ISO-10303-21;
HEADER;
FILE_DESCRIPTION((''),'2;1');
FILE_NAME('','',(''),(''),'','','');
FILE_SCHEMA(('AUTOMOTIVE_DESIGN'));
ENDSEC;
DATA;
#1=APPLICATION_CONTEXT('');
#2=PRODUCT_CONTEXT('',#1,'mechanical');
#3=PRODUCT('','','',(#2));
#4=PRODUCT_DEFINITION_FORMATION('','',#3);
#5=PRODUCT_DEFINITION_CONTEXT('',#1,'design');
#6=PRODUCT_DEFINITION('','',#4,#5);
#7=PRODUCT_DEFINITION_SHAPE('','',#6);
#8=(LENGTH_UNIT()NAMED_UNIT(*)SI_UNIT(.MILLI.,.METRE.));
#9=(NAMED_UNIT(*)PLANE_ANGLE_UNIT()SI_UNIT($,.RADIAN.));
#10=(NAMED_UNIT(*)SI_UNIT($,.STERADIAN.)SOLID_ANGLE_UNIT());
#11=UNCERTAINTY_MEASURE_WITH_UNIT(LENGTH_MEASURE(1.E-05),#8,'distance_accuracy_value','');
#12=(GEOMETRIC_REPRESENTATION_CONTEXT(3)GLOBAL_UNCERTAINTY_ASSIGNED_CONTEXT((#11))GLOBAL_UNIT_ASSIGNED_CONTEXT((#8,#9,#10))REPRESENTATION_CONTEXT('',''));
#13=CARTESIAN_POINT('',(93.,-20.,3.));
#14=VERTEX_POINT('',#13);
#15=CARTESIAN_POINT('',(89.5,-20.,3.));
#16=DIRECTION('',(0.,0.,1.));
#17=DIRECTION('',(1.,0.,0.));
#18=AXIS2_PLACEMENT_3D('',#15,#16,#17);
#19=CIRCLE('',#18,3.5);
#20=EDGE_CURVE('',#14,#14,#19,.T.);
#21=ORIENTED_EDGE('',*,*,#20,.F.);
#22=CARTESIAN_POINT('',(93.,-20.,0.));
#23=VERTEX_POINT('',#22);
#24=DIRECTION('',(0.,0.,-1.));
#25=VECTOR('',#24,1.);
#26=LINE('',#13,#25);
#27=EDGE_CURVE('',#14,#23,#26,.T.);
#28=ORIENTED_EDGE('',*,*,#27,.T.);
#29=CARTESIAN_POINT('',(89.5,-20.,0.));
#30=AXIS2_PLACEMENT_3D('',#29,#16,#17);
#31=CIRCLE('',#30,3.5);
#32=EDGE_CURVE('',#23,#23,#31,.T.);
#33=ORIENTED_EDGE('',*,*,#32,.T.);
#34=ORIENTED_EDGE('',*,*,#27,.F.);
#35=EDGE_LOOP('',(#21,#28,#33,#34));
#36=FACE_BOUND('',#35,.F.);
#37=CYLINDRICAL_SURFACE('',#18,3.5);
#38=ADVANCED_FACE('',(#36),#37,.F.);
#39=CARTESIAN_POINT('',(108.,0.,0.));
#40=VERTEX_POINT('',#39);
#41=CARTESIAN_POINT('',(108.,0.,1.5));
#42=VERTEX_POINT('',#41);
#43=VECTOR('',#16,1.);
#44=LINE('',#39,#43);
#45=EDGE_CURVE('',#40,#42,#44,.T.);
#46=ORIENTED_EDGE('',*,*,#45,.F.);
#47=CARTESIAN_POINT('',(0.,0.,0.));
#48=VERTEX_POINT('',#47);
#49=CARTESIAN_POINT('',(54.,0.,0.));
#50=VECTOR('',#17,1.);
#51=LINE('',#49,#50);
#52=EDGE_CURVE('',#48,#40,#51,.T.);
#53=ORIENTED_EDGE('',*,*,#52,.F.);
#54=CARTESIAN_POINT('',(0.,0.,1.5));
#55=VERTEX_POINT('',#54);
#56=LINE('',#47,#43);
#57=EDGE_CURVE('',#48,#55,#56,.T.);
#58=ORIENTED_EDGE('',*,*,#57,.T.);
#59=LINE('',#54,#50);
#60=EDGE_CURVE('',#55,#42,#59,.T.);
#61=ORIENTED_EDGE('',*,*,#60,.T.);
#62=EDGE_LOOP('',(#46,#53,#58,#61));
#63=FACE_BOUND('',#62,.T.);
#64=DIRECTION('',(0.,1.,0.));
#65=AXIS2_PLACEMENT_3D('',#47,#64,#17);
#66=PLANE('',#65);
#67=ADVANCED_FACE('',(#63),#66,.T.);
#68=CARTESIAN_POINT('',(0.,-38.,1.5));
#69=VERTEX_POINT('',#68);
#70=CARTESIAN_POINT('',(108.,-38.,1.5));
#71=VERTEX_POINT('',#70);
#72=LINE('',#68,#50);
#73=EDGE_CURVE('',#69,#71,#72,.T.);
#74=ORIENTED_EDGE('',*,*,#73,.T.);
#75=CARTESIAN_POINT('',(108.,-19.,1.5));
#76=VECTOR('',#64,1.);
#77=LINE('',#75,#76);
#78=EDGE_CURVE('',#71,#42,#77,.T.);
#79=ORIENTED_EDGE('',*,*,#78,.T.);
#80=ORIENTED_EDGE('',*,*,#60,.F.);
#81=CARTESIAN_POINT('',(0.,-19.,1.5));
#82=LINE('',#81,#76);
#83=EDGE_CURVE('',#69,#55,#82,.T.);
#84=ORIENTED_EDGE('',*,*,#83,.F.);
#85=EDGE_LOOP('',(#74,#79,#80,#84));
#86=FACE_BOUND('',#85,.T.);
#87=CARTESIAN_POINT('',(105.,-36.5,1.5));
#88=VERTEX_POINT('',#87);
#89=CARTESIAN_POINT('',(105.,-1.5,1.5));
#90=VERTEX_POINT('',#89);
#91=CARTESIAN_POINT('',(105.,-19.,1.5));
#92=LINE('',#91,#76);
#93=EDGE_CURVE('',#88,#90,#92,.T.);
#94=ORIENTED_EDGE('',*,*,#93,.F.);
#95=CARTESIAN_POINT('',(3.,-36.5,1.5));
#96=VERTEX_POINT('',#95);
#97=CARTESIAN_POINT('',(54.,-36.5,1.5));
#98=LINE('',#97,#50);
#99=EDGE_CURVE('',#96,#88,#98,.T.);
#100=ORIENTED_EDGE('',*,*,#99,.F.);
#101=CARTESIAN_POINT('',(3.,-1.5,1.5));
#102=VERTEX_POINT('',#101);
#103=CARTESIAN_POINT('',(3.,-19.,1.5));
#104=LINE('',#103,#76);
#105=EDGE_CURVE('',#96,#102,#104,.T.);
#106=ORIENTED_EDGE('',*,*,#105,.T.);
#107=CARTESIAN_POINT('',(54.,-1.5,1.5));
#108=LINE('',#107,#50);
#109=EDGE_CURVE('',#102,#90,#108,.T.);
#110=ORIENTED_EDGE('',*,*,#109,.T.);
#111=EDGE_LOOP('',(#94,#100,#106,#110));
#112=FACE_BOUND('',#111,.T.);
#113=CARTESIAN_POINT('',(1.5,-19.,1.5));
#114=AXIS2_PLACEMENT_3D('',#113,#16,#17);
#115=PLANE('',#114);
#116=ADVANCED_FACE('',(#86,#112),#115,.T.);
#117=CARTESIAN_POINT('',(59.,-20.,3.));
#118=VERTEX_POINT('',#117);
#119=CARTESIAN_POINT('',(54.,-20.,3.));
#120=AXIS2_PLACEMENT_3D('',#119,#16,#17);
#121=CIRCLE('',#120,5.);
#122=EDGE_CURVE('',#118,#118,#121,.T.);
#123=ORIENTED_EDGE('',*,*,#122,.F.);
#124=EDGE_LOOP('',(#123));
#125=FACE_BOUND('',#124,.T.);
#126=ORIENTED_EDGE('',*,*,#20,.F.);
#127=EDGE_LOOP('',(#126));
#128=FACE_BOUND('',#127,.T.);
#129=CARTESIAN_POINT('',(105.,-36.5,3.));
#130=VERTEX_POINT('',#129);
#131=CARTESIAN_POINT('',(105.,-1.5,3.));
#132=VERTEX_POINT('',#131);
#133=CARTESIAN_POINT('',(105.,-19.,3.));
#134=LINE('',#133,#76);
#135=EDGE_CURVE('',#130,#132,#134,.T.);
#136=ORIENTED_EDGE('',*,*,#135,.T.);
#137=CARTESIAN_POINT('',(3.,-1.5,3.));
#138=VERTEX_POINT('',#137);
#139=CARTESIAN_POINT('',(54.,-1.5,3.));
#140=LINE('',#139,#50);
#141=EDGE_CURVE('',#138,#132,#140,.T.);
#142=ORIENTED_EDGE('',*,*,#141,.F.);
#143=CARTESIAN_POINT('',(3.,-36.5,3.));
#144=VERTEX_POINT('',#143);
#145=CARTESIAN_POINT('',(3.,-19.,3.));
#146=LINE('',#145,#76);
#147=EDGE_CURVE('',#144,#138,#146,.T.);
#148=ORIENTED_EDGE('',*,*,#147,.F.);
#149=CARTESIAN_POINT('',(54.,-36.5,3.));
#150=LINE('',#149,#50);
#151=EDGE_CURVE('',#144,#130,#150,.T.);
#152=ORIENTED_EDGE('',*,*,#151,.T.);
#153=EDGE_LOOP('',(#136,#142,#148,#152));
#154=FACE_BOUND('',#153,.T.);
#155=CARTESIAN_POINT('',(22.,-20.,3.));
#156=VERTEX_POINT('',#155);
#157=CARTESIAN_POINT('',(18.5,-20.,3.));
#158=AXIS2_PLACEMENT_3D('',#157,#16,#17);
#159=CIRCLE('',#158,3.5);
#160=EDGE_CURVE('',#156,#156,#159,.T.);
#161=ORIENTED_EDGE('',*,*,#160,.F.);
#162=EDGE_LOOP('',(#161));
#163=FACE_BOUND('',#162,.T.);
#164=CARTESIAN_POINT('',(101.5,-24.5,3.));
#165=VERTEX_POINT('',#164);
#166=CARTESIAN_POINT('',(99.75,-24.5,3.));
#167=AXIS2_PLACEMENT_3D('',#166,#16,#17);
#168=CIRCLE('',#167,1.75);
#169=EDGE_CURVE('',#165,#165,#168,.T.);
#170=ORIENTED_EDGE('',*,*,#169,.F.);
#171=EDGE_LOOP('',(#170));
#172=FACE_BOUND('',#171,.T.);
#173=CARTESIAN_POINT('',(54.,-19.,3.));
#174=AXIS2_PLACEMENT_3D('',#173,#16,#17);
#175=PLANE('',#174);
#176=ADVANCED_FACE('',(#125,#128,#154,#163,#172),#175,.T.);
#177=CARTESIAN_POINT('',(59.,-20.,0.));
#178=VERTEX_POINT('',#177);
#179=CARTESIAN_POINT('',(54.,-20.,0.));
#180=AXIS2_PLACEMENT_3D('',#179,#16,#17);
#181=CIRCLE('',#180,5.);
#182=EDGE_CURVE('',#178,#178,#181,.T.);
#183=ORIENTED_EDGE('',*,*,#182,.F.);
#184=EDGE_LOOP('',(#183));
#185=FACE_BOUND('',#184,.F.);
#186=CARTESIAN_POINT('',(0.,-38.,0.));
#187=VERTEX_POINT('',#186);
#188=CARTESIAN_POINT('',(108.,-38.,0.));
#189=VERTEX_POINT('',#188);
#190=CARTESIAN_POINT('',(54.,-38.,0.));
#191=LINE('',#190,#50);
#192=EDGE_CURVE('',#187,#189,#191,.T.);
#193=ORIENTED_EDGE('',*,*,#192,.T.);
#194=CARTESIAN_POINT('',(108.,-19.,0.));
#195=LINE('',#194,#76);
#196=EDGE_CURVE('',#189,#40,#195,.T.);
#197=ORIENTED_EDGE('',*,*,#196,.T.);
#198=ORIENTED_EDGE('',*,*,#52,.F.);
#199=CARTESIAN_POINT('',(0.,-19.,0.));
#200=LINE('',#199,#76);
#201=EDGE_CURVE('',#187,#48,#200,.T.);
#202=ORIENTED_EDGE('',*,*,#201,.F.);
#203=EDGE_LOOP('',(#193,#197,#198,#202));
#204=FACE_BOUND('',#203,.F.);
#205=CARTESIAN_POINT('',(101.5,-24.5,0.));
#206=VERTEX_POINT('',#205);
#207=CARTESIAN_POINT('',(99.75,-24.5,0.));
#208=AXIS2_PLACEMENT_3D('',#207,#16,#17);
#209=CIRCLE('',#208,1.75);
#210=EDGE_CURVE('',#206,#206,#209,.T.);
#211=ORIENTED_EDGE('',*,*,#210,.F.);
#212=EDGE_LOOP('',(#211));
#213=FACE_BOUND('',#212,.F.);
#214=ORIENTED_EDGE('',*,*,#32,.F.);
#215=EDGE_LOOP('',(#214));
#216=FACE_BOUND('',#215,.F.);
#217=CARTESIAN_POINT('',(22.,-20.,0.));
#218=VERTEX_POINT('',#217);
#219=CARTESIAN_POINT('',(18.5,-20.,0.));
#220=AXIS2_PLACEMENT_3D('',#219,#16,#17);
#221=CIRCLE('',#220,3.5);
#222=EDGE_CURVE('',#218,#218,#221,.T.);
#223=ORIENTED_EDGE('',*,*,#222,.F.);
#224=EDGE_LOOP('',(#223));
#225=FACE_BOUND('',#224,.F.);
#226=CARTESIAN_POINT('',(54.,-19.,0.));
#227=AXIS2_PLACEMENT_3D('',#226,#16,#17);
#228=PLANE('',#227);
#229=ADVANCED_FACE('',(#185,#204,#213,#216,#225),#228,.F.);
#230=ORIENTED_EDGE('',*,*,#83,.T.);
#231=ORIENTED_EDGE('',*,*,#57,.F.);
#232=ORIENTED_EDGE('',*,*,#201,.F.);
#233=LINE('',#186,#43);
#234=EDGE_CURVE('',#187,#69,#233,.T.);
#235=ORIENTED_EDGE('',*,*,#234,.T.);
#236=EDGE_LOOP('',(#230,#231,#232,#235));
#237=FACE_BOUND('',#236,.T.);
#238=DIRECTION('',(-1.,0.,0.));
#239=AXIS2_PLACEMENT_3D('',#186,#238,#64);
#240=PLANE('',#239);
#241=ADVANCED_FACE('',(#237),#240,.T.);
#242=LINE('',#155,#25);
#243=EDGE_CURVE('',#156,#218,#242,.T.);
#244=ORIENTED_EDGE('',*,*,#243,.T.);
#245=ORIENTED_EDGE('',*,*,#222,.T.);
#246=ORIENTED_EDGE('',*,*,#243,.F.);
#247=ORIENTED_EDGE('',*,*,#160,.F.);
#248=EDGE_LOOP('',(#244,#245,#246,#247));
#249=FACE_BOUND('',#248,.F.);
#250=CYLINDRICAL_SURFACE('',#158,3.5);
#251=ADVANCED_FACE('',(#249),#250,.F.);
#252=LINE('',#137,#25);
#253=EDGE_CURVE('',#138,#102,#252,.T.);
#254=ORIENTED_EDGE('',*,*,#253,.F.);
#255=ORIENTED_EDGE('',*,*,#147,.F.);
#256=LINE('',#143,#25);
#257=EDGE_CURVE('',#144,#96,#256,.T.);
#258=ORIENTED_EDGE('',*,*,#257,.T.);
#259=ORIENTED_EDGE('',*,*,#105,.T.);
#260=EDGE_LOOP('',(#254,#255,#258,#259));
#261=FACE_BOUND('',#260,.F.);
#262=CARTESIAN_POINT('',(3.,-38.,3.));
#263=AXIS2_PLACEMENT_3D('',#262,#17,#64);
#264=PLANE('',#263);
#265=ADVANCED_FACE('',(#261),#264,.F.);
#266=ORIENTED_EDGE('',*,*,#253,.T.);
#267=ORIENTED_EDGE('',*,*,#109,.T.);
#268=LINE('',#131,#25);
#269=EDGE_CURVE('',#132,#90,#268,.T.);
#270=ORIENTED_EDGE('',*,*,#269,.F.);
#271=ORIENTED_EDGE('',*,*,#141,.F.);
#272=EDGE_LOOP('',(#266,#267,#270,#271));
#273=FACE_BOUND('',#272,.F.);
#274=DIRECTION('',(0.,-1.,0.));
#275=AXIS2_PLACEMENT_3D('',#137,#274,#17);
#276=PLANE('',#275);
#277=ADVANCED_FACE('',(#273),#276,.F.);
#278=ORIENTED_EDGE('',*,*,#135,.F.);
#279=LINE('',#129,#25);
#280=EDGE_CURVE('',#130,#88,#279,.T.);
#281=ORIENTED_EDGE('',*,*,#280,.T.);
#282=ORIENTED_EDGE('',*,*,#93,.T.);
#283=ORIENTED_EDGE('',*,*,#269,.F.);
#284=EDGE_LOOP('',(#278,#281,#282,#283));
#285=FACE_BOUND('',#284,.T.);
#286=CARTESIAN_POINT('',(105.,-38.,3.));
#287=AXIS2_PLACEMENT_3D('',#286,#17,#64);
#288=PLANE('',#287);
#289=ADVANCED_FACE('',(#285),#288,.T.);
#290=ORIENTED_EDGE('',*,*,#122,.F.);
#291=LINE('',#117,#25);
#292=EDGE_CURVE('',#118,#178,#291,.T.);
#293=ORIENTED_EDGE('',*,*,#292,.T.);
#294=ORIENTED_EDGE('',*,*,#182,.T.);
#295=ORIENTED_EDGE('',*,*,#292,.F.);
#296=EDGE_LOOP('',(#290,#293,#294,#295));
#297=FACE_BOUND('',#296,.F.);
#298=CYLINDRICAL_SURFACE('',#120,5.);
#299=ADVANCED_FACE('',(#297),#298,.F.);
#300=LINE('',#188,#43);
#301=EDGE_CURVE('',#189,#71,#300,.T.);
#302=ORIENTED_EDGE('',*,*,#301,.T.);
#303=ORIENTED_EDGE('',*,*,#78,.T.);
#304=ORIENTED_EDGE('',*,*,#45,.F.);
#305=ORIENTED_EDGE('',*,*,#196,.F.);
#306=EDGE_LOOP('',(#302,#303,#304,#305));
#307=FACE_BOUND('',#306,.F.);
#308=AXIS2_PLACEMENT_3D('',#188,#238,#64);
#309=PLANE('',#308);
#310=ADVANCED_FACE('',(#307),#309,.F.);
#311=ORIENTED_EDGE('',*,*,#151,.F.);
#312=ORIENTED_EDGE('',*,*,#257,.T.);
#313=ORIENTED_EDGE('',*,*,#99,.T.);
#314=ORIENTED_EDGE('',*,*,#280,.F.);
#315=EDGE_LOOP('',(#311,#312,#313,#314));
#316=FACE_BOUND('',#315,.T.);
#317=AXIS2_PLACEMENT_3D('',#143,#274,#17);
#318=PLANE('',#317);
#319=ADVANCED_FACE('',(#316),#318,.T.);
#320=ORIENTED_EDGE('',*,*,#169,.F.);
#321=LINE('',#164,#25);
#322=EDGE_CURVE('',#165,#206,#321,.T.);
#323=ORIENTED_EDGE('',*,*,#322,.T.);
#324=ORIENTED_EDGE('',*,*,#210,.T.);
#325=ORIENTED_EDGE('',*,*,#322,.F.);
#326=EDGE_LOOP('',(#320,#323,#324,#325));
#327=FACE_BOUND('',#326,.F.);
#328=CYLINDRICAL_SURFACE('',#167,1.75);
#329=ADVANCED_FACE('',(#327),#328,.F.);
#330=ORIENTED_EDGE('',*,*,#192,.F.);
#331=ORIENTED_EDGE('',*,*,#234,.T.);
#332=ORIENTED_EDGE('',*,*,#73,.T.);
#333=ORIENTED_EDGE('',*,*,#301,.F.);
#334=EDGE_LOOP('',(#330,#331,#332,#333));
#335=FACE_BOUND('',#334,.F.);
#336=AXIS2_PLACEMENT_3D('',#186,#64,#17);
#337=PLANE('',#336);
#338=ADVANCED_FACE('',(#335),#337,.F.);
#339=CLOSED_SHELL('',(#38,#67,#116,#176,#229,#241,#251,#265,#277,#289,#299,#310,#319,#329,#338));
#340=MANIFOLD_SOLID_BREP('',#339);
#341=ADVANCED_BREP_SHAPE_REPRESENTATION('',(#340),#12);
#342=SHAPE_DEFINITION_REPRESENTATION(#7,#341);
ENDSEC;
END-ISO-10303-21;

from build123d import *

# Parameters (mm, degrees)
SKETCH_W        = 108
SKETCH_H        = 38
PAD_DEPTH       = 3
SKETCH002_W     = 3
SKETCH002_H     = 38
POCKET_DEPTH    = 1.5
SKETCH003_W     = 3
SKETCH003_H     = 38
POCKET001_DEPTH = 1.5
SKETCH004_W     = 102
SKETCH004_H     = 1.5
POCKET002_DEPTH = 1.5
SKETCH005_W     = 102
SKETCH005_H     = 1.5
POCKET003_DEPTH = 1.5
SKETCH006_R     = 5
POCKET004_DEPTH = 3
SKETCH008_R     = 3.5
POCKET005_DEPTH = 3
SKETCH009_R     = 3.5
POCKET006_DEPTH = 3
SKETCH010_R     = 1.75
POCKET007_DEPTH = 3


with BuildPart() as part:
    # Sketch → Pad (new body)
    with BuildSketch(Plane.XY):
        with Locations((54, -19)):
            Rectangle(SKETCH_W, SKETCH_H)
    extrude(amount=PAD_DEPTH)

    # Sketch002 (on Face6 of Pad) → Pocket (cut)
    with BuildSketch(Plane.XY.offset(3)):
        with Locations((1.5, -19)):
            Rectangle(SKETCH002_W, SKETCH002_H)
    extrude(amount=-POCKET_DEPTH, mode=Mode.SUBTRACT)

    # Sketch003 (on Face4 of Pocket) → Pocket001 (cut)
    with BuildSketch(Plane.XY.offset(3)):
        with Locations((106.5, -19)):
            Rectangle(SKETCH003_W, SKETCH003_H)
    extrude(amount=-POCKET001_DEPTH, mode=Mode.SUBTRACT)

    # Sketch004 (on Face6 of Pocket001) → Pocket002 (cut)
    with BuildSketch(Plane.XY.offset(3)):
        with Locations((54, -0.75)):
            Rectangle(SKETCH004_W, SKETCH004_H)
    extrude(amount=-POCKET002_DEPTH, mode=Mode.SUBTRACT)

    # Sketch005 (on Face12 of Pocket002) → Pocket003 (cut)
    with BuildSketch(Plane.XY.offset(3)):
        with Locations((54, -37.25)):
            Rectangle(SKETCH005_W, SKETCH005_H)
    extrude(amount=-POCKET003_DEPTH, mode=Mode.SUBTRACT)

    # Sketch006 (on Face13 of Pocket003) → Pocket004 (cut)
    with BuildSketch(Plane.XY.offset(3)):
        with Locations((54, -20)):
            Circle(SKETCH006_R)
    extrude(amount=-POCKET004_DEPTH, mode=Mode.SUBTRACT)

    # Sketch008 (on Face14 of Pocket004) → Pocket005 (cut)
    with BuildSketch(Plane.XY.offset(3)):
        with Locations((18.5, -20)):
            Circle(SKETCH008_R)
    extrude(amount=-POCKET005_DEPTH, mode=Mode.SUBTRACT)

    # Sketch009 (on Face15 of Pocket005) → Pocket006 (cut)
    with BuildSketch(Plane.XY.offset(3)):
        with Locations((89.5, -20)):
            Circle(SKETCH009_R)
    extrude(amount=-POCKET006_DEPTH, mode=Mode.SUBTRACT)

    # Sketch010 (on Face16 of Pocket006) → Pocket007 (cut)
    with BuildSketch(Plane.XY.offset(3)):
        with Locations((99.75, -24.5)):
            Circle(SKETCH010_R)
    extrude(amount=-POCKET007_DEPTH, mode=Mode.SUBTRACT)


solid = part.part
